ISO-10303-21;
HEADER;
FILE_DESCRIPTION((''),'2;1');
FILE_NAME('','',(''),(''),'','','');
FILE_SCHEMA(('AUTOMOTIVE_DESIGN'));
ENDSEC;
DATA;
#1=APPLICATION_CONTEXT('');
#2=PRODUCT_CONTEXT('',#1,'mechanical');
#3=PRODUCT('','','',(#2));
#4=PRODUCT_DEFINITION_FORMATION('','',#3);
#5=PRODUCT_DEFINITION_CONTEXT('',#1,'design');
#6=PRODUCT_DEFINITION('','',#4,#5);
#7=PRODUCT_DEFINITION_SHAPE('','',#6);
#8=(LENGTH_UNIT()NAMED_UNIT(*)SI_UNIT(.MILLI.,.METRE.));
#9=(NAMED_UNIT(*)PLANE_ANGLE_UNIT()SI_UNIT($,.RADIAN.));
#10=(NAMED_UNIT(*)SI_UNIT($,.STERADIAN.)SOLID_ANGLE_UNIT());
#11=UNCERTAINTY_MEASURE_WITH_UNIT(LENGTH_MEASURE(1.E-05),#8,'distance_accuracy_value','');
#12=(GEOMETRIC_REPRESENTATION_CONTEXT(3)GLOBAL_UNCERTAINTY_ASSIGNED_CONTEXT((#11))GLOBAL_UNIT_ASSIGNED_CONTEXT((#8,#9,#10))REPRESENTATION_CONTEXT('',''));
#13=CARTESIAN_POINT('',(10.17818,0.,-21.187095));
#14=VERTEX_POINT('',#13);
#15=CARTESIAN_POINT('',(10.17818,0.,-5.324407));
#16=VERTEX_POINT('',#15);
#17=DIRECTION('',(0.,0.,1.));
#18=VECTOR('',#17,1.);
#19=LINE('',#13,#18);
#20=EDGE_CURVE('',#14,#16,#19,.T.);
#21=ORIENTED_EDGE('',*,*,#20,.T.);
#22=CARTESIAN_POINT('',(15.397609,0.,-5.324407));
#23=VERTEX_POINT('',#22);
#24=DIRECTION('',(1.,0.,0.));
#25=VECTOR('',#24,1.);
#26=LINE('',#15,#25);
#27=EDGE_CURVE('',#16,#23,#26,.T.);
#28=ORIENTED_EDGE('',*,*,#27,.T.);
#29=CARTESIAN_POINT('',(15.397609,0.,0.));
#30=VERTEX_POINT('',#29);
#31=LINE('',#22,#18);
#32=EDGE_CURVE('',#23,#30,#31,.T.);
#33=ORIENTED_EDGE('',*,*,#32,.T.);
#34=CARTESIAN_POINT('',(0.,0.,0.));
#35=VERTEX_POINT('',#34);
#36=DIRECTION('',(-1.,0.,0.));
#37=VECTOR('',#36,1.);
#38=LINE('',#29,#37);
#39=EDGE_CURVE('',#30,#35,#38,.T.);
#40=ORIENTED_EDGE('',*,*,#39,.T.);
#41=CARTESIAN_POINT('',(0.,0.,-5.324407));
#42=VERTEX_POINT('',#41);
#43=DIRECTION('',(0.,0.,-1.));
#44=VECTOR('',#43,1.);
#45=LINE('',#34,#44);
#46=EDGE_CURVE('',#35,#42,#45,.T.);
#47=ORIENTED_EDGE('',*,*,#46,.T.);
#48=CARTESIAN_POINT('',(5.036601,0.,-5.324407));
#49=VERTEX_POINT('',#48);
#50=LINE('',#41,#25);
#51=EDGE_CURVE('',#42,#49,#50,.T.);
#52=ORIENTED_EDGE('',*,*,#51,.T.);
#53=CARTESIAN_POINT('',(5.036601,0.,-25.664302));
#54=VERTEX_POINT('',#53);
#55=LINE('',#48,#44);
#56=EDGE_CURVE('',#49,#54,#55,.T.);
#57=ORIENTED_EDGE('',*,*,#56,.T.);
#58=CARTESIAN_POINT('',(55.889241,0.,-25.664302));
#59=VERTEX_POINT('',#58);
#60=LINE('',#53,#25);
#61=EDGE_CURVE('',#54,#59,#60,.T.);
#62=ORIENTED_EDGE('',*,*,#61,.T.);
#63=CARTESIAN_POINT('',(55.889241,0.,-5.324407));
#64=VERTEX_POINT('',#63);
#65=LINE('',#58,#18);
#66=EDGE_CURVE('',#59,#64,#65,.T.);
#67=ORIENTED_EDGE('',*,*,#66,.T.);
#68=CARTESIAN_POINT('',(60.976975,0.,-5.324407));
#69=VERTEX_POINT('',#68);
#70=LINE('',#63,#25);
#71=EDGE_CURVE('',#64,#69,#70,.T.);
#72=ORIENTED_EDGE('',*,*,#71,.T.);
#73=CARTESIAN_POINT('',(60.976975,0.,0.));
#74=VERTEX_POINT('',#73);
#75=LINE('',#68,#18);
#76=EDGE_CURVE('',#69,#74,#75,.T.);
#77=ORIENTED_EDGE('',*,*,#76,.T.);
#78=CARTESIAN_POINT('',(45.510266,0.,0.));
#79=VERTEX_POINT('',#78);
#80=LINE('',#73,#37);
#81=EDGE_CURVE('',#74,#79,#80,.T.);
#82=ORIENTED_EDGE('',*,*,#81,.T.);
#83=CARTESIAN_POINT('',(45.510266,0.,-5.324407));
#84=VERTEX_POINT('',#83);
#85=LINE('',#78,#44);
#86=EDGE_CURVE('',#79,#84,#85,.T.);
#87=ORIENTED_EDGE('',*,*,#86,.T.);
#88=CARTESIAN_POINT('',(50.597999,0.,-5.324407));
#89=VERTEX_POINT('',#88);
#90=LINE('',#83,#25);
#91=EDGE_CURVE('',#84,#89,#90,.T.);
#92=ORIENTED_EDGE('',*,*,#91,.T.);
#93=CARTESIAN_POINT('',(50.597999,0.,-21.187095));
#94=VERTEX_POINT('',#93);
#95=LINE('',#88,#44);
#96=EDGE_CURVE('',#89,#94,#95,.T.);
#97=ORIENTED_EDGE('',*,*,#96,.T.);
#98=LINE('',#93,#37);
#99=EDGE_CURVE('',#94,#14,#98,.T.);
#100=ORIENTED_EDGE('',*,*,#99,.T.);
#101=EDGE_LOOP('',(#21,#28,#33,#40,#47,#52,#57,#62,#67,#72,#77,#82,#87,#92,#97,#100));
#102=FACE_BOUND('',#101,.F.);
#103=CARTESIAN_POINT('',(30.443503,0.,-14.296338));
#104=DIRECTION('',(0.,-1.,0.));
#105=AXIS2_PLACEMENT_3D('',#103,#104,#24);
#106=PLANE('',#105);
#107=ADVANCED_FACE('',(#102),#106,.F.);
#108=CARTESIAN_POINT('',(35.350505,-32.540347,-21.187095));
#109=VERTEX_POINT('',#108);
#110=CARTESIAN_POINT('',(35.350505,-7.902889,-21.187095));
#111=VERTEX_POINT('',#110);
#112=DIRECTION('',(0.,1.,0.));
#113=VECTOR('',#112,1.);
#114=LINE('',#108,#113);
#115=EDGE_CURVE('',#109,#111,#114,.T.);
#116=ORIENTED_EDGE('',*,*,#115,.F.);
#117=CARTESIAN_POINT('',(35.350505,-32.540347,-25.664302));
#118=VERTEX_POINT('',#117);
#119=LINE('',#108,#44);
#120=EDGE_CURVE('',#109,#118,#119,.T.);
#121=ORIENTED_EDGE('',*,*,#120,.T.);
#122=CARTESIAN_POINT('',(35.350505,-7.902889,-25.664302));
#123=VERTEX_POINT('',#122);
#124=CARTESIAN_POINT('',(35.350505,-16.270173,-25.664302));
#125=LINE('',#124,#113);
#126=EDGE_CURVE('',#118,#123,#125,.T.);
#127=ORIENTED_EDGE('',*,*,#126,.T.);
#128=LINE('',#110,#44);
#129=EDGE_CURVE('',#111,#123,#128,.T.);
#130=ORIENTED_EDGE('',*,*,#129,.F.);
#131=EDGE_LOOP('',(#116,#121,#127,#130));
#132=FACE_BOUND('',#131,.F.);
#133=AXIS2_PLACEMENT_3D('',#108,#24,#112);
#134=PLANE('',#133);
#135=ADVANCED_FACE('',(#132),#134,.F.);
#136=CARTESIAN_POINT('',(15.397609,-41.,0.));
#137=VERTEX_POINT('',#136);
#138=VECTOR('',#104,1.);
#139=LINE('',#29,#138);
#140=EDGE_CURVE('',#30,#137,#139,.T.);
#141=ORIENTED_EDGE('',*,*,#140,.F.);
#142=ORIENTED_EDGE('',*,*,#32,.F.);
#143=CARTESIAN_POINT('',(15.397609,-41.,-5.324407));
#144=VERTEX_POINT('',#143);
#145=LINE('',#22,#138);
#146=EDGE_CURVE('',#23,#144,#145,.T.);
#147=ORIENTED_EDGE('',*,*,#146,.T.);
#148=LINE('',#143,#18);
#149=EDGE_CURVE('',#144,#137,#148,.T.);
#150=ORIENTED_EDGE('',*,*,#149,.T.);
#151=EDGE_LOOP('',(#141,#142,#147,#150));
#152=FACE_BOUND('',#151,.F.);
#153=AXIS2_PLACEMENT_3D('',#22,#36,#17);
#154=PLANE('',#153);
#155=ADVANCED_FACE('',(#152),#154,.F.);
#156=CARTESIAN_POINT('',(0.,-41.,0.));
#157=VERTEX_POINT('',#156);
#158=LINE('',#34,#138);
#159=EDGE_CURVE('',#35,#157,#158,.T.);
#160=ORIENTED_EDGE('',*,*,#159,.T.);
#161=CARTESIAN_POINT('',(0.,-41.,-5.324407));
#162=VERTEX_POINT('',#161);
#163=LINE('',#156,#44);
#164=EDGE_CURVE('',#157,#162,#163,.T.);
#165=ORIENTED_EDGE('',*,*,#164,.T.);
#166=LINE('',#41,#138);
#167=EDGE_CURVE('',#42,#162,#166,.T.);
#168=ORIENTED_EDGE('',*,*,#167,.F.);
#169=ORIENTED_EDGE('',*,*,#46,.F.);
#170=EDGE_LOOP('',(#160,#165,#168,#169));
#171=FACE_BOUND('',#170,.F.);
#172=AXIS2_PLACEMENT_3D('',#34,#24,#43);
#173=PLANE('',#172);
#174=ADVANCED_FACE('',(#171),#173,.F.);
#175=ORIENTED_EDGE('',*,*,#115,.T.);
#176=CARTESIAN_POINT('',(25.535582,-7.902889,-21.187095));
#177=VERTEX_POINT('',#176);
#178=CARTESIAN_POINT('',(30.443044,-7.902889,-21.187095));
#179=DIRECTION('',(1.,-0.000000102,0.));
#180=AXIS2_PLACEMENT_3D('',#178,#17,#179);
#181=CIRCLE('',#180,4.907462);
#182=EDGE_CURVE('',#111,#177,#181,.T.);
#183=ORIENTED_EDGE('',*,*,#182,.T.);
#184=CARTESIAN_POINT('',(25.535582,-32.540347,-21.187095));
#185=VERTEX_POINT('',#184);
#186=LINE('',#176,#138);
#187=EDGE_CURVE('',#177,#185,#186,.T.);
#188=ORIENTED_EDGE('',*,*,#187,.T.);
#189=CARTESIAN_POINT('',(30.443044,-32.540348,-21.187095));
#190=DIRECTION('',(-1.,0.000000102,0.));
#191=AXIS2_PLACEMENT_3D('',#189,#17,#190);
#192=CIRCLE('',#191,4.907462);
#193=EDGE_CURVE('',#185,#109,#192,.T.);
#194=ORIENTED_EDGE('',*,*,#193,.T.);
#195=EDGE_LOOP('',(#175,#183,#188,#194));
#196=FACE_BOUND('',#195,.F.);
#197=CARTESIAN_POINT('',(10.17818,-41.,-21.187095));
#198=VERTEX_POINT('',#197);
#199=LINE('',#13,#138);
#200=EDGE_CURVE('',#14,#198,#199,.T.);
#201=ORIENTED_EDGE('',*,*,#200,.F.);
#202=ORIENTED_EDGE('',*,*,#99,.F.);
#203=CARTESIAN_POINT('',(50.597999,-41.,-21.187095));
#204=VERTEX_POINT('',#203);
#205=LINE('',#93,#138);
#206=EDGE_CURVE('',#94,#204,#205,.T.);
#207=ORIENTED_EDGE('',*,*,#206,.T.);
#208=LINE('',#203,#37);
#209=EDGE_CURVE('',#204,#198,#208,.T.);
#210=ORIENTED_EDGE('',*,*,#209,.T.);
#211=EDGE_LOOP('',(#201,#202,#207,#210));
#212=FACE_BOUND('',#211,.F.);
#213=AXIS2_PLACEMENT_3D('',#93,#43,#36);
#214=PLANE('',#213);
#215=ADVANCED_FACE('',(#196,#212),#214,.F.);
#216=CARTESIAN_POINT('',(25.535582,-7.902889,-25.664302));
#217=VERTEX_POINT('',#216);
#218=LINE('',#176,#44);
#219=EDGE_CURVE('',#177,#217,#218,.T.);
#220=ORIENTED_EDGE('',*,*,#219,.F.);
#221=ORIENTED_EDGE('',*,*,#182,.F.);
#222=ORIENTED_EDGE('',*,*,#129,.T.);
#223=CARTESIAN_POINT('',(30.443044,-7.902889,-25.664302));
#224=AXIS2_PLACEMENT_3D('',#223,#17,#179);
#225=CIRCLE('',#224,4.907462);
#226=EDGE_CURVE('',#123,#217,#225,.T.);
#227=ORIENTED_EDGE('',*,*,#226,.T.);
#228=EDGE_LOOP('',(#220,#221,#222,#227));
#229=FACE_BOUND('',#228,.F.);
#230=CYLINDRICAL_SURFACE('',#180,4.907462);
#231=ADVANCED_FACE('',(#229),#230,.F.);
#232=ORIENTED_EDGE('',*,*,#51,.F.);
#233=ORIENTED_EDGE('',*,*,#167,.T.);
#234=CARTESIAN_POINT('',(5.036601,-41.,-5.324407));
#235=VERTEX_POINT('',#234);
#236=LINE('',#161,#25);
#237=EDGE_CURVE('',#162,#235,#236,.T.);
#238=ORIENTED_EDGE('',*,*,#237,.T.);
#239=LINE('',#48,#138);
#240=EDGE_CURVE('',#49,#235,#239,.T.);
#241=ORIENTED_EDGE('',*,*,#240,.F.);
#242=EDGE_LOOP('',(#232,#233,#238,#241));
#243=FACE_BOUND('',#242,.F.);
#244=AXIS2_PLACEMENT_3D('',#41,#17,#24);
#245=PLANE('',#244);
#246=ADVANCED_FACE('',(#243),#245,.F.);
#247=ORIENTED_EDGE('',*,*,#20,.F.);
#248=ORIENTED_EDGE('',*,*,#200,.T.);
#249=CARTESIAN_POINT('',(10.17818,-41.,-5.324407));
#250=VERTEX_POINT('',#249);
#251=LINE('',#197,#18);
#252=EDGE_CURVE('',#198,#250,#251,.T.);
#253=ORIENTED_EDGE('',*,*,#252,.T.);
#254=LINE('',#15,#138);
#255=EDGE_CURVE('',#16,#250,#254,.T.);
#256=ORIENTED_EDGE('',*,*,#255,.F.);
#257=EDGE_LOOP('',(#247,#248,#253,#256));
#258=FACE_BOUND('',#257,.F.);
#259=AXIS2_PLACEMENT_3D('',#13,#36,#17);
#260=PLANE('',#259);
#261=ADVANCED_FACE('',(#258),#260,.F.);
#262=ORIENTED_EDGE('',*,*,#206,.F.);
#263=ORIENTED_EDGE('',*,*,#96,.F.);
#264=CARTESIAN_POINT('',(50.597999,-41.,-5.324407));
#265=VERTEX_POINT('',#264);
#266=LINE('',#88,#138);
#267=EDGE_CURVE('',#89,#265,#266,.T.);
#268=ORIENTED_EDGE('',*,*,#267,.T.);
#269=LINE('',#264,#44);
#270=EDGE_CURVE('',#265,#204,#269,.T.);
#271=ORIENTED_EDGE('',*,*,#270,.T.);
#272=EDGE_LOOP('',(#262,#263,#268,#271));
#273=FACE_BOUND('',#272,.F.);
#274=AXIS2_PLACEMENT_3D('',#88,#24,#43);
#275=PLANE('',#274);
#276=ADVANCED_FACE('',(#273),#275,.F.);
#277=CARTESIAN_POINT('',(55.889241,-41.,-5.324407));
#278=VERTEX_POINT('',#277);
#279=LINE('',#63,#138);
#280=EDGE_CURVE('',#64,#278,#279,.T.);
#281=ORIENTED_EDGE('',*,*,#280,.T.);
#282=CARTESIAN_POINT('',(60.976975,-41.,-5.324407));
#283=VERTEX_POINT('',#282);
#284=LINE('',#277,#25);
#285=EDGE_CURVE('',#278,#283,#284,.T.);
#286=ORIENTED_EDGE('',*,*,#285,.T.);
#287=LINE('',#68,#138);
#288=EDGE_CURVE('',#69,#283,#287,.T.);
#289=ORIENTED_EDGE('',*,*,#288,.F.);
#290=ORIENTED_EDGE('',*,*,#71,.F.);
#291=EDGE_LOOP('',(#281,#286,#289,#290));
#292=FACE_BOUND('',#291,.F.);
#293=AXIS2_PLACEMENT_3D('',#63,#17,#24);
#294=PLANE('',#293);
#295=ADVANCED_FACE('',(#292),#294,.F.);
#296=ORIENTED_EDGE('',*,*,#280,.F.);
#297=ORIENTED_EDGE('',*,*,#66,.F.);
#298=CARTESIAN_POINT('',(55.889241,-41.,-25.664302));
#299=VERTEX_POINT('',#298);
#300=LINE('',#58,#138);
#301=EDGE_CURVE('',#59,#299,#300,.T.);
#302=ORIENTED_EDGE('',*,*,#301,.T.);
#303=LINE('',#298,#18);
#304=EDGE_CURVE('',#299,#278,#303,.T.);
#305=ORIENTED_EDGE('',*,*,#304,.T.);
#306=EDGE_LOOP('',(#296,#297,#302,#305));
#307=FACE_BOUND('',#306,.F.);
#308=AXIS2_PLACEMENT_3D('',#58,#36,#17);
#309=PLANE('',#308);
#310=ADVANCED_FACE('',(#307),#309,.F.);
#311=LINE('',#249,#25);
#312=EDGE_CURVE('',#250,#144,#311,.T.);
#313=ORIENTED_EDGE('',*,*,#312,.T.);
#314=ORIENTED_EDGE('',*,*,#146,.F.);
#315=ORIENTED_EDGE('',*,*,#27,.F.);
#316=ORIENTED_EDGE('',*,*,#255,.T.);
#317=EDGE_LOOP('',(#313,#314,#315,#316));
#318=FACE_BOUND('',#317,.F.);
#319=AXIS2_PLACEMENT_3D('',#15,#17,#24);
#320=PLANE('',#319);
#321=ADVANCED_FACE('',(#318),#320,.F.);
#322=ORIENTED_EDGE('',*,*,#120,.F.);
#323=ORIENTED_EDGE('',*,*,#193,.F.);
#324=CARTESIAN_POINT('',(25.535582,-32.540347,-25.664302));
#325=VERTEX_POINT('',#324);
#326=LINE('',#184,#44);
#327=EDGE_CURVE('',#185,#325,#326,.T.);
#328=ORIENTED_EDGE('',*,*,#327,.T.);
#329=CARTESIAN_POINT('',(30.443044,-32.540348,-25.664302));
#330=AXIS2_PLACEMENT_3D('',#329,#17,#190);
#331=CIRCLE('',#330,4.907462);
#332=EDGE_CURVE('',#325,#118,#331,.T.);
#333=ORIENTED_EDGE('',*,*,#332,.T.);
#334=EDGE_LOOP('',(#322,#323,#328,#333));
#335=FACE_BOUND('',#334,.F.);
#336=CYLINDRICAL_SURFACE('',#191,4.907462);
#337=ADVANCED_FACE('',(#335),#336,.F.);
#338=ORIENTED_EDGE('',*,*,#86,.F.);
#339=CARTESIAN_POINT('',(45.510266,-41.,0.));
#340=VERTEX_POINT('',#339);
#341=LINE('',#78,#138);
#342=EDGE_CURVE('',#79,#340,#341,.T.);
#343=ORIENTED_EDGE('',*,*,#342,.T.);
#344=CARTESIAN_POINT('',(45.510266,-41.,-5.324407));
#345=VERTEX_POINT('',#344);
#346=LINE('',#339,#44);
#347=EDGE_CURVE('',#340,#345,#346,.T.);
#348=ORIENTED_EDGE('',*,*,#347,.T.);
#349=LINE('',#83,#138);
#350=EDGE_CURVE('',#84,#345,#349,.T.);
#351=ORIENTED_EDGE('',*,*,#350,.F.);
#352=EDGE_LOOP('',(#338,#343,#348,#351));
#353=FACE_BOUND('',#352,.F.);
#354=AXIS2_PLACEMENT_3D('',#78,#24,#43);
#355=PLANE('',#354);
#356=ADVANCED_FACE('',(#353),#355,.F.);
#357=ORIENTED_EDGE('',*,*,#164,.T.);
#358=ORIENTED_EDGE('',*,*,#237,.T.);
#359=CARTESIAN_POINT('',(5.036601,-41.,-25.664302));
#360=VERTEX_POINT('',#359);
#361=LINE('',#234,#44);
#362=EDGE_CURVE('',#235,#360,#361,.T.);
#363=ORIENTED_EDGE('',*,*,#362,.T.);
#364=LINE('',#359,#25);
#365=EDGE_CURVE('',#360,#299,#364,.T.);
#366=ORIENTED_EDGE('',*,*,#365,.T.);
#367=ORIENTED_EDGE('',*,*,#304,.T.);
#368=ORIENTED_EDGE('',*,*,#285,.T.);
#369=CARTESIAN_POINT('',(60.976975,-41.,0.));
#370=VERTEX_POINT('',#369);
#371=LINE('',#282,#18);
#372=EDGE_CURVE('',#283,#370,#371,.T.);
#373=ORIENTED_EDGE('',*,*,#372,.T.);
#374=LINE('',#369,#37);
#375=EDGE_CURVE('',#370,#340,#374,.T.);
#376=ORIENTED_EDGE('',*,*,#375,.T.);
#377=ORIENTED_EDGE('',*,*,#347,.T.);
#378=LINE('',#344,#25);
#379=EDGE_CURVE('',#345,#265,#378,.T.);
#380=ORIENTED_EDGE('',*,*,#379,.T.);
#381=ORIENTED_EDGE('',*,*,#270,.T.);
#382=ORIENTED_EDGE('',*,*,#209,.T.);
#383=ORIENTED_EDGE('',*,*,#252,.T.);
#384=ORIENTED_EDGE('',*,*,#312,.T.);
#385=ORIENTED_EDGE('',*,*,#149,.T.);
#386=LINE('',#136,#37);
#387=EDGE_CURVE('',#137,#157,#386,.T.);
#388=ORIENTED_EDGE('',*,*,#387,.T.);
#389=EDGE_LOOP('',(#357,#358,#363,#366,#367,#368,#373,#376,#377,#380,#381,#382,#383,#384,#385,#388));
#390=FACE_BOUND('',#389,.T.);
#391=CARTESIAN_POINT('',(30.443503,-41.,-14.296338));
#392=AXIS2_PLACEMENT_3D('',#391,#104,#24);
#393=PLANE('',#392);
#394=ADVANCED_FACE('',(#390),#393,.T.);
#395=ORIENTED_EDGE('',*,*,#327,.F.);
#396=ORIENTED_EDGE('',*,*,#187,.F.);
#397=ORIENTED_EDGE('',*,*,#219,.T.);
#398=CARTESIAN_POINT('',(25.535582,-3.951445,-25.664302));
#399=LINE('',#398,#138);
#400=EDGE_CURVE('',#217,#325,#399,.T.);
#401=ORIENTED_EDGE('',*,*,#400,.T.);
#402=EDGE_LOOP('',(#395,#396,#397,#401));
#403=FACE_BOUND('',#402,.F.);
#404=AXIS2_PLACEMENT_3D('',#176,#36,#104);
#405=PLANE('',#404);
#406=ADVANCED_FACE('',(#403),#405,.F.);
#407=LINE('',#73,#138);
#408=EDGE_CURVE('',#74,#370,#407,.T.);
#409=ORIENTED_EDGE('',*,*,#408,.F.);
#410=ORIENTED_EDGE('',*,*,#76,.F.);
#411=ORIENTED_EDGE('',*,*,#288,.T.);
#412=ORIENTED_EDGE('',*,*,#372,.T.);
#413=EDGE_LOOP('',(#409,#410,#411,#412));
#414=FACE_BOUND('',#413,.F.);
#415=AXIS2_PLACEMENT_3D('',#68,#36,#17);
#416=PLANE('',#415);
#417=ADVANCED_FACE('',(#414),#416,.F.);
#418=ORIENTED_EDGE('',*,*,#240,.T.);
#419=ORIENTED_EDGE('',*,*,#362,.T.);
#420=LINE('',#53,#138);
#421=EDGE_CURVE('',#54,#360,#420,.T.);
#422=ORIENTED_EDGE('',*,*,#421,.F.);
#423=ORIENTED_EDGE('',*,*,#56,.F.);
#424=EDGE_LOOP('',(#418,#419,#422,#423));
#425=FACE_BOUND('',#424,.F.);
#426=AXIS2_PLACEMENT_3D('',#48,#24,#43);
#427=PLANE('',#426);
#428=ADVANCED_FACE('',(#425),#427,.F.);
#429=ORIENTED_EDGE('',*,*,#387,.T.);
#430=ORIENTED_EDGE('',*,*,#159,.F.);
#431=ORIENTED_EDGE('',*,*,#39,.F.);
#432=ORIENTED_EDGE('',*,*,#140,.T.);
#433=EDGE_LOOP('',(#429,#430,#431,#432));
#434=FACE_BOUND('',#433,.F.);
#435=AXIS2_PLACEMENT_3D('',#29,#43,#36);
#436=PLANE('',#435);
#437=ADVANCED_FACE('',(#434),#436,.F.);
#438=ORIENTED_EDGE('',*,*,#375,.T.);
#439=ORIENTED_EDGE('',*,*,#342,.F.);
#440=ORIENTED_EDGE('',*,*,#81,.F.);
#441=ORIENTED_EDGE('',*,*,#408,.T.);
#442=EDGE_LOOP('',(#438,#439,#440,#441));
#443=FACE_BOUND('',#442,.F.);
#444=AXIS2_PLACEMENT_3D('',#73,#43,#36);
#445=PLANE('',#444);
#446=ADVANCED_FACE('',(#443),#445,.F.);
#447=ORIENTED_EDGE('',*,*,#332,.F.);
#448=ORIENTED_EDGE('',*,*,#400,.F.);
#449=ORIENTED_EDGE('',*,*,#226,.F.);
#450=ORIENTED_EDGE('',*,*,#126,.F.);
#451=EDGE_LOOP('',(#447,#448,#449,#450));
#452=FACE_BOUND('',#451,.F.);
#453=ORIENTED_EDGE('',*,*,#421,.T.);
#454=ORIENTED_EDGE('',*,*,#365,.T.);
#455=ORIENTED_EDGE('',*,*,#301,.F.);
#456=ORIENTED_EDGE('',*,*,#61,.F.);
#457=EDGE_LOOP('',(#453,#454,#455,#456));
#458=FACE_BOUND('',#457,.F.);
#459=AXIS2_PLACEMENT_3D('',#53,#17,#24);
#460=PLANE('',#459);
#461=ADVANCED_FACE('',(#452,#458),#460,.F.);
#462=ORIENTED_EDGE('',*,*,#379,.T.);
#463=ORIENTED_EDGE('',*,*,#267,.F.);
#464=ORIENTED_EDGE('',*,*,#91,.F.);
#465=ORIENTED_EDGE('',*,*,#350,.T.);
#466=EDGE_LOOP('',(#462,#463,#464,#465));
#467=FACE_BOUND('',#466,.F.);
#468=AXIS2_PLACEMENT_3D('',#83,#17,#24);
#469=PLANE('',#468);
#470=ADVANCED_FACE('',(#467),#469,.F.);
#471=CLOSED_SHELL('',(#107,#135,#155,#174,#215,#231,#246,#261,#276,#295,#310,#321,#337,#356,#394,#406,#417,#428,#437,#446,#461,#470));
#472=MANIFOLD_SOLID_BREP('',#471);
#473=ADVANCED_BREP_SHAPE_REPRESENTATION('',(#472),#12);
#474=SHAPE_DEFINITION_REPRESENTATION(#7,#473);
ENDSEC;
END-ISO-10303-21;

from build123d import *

# Parameters (mm, degrees)
F1_DEPTH = 41
F3_DEPTH = 25


with BuildPart() as f1:
    # F0 (on Front) → F1 (new body)
    with BuildSketch(Plane.XZ):
        Polygon((15.397609, 0), (0, 0), (0, -5.324407), (5.036601, -5.324407), (5.036601, -25.664302), (55.889241, -25.664302), (55.889241, -5.324407), (60.976975, -5.324407), (60.976975, 0), (45.510266, 0), (45.510266, -5.324407), (50.597999, -5.324407), (50.597999, -21.187095), (10.17818, -21.187095), (10.17818, -5.324407), (15.397609, -5.324407), align=None)
    extrude(amount=F1_DEPTH)

    # F2 (on face) → F3 (cut)
    with BuildSketch(Plane.XY.offset(-21.187095)):
        with BuildLine():
            ThreePointArc((35.350505, -7.902889), (30.443043, -2.995427), (25.535582, -7.902889))
            Line((25.535582, -7.902889), (25.535582, -32.540347))
            ThreePointArc((25.535582, -32.540347), (30.443043, -37.447809), (35.350505, -32.540347))
            Line((35.350505, -32.540347), (35.350505, -7.902889))
        make_face()
    extrude(amount=-F3_DEPTH, mode=Mode.SUBTRACT)


solid = f1.part
